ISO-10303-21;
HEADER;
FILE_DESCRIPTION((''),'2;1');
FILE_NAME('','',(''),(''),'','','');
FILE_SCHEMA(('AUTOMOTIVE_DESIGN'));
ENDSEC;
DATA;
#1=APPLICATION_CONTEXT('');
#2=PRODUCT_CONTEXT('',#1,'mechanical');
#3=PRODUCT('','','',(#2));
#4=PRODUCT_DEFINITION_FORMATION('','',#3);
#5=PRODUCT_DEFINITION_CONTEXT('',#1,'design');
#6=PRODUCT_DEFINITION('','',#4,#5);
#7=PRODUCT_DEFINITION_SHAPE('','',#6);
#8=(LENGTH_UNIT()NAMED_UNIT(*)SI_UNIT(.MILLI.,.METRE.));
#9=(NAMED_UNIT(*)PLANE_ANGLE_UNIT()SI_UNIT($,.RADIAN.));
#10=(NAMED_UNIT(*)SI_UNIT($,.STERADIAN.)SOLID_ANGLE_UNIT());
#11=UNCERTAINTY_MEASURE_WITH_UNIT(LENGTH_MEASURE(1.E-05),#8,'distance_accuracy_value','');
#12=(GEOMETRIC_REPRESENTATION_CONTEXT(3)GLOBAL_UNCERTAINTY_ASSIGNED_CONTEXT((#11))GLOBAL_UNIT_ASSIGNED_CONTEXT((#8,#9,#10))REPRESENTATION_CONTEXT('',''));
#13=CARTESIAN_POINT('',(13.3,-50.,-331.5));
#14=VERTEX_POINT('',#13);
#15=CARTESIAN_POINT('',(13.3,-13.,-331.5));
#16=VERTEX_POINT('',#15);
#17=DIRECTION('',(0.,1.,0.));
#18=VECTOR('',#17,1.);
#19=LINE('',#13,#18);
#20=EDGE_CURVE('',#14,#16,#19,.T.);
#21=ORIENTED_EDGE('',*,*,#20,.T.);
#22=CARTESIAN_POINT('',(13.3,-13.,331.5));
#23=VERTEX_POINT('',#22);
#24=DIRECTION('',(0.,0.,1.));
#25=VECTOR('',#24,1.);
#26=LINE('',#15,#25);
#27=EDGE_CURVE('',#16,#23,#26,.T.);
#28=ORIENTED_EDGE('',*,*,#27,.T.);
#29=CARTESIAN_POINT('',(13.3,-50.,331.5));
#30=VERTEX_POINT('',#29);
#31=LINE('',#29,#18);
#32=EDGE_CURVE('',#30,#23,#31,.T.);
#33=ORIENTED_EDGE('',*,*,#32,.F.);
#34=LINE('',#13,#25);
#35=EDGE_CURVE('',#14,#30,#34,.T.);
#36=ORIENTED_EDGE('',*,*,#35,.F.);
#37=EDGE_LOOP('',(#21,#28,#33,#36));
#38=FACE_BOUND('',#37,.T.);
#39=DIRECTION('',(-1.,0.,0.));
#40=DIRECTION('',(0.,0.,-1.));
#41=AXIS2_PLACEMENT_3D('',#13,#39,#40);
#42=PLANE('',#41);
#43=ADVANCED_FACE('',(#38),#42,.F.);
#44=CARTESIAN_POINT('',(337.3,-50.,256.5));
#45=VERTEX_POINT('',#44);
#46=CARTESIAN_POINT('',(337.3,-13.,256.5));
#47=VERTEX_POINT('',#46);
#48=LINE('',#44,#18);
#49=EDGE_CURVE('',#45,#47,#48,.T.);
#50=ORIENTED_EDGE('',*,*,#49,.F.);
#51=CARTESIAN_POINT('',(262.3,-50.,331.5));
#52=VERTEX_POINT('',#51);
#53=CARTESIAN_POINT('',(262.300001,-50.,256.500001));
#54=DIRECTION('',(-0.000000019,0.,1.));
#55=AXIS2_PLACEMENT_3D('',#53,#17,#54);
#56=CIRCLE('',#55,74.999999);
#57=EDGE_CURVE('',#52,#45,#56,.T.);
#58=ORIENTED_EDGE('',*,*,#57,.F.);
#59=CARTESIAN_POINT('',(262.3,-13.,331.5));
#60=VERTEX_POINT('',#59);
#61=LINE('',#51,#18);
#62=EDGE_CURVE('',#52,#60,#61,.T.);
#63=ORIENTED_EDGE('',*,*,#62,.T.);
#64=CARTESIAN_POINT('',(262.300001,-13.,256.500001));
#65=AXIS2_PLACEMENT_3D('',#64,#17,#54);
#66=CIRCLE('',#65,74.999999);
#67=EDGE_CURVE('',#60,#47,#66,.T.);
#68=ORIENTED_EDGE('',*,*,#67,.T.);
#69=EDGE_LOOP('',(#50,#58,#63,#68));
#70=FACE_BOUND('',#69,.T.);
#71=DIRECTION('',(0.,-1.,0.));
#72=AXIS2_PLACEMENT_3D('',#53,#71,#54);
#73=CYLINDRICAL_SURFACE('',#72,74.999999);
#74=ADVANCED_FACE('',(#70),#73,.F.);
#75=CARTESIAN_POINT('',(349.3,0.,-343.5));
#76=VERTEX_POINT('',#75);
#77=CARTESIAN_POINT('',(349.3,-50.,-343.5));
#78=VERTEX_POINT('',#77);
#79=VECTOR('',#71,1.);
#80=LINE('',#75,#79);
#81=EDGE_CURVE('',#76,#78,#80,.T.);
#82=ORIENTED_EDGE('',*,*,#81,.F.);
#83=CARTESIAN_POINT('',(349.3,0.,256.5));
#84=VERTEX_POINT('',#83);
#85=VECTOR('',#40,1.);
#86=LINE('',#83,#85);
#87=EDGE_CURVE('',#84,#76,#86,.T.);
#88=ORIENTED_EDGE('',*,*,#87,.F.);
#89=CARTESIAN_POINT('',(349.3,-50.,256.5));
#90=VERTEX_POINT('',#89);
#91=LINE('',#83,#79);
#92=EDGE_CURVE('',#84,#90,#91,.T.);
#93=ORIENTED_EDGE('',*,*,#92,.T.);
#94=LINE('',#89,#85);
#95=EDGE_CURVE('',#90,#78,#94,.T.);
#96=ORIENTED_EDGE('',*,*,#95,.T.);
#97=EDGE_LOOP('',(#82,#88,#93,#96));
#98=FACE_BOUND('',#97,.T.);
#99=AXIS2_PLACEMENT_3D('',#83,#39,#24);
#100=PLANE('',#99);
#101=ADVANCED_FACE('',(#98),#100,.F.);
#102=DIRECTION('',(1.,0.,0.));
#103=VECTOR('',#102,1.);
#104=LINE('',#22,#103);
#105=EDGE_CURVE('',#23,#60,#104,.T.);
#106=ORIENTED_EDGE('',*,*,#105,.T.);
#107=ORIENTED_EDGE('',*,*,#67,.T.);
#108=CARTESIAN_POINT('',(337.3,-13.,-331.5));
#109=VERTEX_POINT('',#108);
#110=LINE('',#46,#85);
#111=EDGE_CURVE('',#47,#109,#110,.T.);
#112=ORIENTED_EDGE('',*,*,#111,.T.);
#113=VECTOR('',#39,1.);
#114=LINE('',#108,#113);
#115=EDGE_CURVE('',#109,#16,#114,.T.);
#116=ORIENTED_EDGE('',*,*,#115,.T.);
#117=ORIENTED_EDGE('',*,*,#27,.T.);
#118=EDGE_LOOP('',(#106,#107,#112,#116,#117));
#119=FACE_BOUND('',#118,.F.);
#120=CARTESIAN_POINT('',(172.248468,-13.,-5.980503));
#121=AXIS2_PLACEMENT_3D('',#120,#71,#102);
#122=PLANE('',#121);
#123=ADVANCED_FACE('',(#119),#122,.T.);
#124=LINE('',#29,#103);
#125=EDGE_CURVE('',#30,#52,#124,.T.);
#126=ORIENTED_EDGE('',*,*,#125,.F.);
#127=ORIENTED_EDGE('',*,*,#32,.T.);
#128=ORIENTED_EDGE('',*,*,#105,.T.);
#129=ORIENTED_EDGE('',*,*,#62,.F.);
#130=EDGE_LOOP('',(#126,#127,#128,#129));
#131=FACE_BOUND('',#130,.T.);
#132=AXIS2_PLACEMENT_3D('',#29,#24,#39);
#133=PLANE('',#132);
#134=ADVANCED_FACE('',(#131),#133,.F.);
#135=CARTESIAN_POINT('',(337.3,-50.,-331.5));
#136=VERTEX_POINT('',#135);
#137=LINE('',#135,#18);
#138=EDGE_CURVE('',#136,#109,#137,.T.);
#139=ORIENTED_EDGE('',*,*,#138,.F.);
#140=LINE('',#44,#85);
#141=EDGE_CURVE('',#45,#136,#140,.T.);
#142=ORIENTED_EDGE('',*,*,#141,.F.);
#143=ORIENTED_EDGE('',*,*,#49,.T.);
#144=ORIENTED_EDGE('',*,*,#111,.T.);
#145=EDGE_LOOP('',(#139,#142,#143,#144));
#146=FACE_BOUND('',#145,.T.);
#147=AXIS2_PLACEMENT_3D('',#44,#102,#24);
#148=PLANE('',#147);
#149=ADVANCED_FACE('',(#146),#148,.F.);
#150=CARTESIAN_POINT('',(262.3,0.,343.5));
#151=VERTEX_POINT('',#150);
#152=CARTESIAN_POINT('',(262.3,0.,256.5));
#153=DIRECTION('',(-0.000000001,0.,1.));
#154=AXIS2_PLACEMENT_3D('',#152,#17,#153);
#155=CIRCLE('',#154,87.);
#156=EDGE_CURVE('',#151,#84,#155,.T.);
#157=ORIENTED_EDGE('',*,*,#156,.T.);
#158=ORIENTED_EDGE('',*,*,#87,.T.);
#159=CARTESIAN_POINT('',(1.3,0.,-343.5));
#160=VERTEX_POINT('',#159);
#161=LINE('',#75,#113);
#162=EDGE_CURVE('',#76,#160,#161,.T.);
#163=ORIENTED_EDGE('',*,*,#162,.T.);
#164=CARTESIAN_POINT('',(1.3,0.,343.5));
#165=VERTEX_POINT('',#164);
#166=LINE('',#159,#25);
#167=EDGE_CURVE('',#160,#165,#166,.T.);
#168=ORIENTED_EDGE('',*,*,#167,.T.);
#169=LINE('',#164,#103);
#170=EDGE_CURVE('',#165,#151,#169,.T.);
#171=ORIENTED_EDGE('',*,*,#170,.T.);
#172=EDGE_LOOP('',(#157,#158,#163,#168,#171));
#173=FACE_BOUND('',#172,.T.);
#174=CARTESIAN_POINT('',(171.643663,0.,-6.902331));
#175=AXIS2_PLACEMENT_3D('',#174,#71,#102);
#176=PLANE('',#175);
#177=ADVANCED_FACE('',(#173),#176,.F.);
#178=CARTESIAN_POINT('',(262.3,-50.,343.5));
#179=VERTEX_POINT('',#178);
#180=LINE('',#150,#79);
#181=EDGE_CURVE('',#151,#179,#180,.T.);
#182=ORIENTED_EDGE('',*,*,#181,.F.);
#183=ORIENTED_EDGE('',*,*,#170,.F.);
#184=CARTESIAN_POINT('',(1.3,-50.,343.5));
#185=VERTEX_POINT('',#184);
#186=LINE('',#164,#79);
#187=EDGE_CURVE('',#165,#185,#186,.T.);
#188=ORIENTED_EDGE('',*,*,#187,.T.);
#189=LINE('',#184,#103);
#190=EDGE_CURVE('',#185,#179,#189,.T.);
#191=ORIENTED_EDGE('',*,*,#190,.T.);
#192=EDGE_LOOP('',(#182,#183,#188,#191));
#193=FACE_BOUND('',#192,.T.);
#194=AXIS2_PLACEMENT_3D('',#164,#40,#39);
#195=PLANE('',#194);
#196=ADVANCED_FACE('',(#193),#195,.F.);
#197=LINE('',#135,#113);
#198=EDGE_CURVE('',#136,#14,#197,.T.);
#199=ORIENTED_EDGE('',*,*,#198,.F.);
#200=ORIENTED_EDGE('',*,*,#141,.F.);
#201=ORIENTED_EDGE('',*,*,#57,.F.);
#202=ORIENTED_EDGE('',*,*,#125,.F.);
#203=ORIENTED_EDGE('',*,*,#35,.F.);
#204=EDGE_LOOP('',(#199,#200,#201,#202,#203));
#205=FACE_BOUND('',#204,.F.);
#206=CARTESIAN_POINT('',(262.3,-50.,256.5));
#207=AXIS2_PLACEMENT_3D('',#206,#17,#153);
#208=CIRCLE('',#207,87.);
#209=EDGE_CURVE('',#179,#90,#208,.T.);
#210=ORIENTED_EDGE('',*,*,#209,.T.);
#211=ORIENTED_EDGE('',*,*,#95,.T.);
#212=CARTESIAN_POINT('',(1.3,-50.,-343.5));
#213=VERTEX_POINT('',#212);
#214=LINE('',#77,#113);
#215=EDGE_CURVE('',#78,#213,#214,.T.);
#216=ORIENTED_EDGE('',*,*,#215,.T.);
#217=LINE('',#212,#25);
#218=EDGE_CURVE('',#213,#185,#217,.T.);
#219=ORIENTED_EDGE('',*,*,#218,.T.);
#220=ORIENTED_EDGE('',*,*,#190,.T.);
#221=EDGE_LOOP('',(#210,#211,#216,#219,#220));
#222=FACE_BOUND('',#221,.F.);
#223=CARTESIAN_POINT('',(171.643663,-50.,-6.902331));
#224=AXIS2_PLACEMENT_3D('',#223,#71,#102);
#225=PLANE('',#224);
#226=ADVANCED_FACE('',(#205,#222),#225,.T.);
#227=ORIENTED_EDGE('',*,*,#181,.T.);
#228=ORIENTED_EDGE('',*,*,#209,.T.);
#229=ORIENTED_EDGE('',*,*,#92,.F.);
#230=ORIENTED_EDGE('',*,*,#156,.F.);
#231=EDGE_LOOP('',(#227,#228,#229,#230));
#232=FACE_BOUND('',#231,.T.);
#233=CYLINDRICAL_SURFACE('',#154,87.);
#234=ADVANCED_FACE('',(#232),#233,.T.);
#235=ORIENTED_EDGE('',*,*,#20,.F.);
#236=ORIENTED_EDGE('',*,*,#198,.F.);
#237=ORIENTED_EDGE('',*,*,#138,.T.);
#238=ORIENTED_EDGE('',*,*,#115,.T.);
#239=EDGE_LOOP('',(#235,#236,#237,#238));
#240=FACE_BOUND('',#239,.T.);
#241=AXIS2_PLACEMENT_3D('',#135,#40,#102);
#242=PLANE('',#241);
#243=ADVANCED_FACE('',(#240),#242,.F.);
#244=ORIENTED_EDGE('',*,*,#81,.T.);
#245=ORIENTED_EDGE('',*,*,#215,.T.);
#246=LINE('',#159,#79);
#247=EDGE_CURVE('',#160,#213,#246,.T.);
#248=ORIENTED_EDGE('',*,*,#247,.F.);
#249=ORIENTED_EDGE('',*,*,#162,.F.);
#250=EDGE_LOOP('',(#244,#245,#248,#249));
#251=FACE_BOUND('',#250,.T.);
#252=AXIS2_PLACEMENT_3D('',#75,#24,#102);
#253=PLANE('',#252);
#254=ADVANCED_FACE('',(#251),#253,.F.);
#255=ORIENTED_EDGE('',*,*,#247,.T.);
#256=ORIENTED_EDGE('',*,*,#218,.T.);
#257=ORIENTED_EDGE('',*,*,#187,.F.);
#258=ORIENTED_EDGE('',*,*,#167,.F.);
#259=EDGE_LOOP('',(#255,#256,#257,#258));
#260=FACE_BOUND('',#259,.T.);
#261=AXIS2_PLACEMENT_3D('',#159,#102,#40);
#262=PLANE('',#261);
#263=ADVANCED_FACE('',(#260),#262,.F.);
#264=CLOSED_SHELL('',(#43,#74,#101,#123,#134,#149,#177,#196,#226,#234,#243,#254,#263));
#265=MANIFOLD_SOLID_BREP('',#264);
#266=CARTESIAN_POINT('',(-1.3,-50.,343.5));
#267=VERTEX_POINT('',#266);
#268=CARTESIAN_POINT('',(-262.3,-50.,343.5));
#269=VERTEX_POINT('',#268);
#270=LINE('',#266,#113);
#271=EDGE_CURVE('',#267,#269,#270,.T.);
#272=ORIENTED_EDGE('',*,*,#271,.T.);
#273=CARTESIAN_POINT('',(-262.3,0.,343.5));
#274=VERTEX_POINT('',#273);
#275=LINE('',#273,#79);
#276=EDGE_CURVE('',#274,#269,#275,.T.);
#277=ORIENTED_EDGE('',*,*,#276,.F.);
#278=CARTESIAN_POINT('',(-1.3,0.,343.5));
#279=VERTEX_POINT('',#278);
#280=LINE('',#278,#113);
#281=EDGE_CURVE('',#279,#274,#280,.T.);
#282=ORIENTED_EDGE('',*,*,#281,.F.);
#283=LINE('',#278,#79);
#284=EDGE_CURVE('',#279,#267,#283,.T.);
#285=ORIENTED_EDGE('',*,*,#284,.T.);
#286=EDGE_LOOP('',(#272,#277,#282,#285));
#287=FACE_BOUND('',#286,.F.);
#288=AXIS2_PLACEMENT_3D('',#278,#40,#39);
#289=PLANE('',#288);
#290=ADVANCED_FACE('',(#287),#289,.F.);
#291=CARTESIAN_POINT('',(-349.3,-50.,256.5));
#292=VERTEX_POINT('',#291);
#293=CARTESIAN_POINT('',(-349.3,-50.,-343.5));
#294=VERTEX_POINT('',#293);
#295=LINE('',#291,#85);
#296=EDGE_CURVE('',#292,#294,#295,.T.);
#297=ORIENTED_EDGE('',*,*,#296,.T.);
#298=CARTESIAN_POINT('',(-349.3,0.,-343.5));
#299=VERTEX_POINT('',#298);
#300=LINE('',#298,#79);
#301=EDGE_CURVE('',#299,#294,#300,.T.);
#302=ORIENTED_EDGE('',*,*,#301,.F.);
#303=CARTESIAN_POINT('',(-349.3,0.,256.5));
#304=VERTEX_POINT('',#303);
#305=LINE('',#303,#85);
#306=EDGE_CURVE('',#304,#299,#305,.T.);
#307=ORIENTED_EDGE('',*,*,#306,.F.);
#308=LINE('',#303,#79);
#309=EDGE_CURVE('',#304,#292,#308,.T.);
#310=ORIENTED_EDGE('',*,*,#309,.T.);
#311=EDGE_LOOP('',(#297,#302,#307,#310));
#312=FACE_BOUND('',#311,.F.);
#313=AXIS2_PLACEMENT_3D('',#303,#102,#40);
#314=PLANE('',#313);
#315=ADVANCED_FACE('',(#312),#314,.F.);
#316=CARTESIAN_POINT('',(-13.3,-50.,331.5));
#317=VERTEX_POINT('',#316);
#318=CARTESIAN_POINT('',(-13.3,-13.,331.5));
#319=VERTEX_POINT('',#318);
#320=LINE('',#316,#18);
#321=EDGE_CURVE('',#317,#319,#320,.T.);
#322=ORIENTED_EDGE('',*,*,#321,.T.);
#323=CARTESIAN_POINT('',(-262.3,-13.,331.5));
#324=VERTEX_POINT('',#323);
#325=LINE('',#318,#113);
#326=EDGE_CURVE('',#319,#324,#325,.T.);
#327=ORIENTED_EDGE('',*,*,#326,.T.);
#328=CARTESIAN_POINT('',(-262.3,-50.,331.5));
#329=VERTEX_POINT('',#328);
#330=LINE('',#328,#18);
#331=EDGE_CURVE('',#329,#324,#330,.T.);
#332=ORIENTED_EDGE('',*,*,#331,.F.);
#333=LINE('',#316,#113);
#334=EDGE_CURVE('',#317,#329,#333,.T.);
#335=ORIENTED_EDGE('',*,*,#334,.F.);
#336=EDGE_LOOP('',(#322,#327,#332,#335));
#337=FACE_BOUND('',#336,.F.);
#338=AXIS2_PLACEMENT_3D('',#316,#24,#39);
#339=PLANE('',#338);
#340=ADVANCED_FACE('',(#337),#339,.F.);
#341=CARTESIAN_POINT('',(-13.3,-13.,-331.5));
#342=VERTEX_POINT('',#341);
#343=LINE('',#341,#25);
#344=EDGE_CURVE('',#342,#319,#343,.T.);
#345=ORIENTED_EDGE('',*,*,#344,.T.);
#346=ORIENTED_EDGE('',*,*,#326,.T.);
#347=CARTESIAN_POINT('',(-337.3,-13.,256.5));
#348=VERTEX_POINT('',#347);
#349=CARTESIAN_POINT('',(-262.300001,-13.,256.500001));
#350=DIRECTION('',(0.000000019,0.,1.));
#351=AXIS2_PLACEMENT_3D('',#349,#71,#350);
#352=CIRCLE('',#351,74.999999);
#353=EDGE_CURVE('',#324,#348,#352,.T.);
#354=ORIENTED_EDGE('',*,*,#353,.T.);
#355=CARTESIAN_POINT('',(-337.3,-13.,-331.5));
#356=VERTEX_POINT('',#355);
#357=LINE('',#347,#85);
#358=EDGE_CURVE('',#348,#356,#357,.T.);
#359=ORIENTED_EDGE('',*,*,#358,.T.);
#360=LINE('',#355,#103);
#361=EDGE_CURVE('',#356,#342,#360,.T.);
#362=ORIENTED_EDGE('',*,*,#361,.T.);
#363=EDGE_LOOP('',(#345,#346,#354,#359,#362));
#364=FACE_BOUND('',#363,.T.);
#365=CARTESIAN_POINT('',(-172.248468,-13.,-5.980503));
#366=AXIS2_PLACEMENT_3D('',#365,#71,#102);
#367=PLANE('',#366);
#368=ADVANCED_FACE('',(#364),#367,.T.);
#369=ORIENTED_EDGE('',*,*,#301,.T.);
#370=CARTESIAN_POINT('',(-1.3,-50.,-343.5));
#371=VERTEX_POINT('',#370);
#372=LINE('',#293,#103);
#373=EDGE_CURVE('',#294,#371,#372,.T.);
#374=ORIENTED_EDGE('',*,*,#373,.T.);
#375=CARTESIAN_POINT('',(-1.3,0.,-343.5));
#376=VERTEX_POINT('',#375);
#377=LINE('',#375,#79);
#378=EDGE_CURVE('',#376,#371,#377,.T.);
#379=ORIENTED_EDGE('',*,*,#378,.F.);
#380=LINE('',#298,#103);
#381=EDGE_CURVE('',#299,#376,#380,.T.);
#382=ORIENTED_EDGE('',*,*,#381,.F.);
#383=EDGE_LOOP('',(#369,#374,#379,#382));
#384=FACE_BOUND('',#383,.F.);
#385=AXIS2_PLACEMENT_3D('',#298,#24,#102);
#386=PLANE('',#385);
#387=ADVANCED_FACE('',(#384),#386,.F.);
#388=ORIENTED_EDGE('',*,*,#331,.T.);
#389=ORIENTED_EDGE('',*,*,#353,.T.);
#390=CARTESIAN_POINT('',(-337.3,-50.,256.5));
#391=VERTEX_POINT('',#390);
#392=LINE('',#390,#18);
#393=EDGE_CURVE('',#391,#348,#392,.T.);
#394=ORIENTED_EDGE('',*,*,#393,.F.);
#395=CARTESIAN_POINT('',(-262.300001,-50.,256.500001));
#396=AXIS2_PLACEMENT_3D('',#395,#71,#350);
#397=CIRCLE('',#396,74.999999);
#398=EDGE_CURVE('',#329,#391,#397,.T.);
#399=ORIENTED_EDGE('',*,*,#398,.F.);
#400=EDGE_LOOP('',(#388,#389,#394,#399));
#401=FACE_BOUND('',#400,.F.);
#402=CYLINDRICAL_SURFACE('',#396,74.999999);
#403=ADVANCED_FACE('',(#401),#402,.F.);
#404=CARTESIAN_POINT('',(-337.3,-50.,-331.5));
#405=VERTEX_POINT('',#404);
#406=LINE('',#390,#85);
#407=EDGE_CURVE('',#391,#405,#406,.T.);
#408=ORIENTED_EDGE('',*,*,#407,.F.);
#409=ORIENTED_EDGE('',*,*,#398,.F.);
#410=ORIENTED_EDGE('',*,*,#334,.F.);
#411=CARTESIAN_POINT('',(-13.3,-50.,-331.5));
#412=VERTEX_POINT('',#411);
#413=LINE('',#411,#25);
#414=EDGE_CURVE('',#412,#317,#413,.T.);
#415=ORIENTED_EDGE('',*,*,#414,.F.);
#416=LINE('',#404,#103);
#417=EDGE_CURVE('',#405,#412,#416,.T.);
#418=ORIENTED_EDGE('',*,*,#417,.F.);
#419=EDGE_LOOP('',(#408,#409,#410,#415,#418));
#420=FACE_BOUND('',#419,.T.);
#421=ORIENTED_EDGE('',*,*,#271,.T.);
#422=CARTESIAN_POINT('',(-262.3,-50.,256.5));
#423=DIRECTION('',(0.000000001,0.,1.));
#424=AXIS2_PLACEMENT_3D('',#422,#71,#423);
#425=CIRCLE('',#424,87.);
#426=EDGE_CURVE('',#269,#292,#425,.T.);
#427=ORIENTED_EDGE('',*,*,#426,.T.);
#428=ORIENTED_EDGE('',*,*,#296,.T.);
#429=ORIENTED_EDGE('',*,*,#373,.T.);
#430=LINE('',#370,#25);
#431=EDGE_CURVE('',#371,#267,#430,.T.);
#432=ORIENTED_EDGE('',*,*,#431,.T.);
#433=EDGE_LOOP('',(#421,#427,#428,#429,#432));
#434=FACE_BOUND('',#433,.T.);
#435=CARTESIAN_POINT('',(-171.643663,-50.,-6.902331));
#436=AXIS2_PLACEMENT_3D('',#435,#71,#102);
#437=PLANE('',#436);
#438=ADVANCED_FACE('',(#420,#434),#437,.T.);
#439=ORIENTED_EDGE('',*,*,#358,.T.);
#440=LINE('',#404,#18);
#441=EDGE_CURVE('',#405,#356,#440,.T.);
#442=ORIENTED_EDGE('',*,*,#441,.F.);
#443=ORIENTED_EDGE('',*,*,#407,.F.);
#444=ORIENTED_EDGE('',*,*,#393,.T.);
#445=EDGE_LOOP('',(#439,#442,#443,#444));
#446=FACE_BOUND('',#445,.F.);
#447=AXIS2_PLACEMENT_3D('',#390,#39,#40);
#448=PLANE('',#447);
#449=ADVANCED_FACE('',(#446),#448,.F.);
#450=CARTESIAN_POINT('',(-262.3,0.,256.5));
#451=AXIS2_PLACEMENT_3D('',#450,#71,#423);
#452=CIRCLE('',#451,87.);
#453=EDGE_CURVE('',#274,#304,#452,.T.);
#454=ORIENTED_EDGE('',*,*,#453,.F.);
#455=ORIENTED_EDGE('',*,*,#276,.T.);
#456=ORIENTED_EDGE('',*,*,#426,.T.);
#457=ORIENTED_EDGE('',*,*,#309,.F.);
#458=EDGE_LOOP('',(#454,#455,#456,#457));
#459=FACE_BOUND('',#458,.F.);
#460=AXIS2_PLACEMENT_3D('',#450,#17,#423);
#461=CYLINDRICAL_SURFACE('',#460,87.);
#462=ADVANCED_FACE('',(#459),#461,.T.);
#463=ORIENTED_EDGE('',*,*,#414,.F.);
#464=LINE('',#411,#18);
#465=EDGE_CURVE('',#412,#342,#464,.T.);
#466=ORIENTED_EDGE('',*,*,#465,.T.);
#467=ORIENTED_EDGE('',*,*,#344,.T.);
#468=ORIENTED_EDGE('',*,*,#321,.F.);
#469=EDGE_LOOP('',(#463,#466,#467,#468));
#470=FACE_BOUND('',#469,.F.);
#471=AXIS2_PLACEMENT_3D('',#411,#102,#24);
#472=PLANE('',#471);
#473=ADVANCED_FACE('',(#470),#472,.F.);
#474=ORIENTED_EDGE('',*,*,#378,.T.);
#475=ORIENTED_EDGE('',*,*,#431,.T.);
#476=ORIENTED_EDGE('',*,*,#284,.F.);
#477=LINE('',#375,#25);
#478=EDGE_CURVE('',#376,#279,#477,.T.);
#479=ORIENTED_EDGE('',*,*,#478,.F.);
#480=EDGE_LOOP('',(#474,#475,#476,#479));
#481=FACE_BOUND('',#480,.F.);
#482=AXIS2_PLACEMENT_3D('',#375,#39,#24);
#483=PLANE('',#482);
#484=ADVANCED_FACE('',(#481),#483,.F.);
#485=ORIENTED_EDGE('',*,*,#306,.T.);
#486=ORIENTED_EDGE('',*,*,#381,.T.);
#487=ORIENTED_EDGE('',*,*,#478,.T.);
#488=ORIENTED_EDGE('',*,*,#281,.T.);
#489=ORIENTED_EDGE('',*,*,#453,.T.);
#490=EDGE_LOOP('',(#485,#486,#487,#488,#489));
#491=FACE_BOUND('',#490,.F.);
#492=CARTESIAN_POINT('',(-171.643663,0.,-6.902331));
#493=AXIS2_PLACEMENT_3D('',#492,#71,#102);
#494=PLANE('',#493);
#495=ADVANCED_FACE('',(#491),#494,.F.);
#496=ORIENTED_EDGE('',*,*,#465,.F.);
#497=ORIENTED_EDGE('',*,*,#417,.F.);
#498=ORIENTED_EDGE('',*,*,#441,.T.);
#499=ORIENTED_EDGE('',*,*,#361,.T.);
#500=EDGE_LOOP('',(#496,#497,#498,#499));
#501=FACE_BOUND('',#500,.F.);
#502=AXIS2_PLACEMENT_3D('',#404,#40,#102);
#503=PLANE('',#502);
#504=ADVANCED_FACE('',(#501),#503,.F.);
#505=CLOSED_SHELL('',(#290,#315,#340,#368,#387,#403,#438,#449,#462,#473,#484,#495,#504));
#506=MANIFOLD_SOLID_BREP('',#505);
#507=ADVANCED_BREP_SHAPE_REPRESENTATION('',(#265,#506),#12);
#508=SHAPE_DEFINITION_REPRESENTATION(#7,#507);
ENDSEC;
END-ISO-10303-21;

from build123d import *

# Parameters (mm, degrees)
F1_DEPTH = 50
F3_DEPTH = 37


with BuildPart() as f1:
    # F0 (on Front) → F1 (new body)
    with BuildSketch(Plane.XZ):
        with BuildLine():
            Line((-1.3, 343.5), (-262.3, 343.5))
            ThreePointArc((-262.3, 343.5), (-323.81829, 318.01829), (-349.3, 256.5))
            Line((-349.3, 256.5), (-349.3, -343.5))
            Line((-349.3, -343.5), (-1.3, -343.5))
            Line((-1.3, -343.5), (-1.3, 343.5))
        make_face()
    extrude(amount=F1_DEPTH)

    # F2 (on face) → F3 (cut)
    with BuildSketch(Plane.XZ.offset(50)):
        with BuildLine():
            Line((-13.3, 331.5), (-262.3, 331.5))
            ThreePointArc((-262.3, 331.5), (-315.333009, 309.533009), (-337.3, 256.5))
            Line((-337.3, 256.5), (-337.3, -331.5))
            Line((-337.3, -331.5), (-13.3, -331.5))
            Line((-13.3, -331.5), (-13.3, 331.5))
        make_face()
    extrude(amount=-F3_DEPTH, mode=Mode.SUBTRACT)


with BuildPart() as f4_1:
    # F4: instance of F1
    add(f1.part.mirror(Plane.YZ))


solid = Compound([f1.part, f4_1.part])
